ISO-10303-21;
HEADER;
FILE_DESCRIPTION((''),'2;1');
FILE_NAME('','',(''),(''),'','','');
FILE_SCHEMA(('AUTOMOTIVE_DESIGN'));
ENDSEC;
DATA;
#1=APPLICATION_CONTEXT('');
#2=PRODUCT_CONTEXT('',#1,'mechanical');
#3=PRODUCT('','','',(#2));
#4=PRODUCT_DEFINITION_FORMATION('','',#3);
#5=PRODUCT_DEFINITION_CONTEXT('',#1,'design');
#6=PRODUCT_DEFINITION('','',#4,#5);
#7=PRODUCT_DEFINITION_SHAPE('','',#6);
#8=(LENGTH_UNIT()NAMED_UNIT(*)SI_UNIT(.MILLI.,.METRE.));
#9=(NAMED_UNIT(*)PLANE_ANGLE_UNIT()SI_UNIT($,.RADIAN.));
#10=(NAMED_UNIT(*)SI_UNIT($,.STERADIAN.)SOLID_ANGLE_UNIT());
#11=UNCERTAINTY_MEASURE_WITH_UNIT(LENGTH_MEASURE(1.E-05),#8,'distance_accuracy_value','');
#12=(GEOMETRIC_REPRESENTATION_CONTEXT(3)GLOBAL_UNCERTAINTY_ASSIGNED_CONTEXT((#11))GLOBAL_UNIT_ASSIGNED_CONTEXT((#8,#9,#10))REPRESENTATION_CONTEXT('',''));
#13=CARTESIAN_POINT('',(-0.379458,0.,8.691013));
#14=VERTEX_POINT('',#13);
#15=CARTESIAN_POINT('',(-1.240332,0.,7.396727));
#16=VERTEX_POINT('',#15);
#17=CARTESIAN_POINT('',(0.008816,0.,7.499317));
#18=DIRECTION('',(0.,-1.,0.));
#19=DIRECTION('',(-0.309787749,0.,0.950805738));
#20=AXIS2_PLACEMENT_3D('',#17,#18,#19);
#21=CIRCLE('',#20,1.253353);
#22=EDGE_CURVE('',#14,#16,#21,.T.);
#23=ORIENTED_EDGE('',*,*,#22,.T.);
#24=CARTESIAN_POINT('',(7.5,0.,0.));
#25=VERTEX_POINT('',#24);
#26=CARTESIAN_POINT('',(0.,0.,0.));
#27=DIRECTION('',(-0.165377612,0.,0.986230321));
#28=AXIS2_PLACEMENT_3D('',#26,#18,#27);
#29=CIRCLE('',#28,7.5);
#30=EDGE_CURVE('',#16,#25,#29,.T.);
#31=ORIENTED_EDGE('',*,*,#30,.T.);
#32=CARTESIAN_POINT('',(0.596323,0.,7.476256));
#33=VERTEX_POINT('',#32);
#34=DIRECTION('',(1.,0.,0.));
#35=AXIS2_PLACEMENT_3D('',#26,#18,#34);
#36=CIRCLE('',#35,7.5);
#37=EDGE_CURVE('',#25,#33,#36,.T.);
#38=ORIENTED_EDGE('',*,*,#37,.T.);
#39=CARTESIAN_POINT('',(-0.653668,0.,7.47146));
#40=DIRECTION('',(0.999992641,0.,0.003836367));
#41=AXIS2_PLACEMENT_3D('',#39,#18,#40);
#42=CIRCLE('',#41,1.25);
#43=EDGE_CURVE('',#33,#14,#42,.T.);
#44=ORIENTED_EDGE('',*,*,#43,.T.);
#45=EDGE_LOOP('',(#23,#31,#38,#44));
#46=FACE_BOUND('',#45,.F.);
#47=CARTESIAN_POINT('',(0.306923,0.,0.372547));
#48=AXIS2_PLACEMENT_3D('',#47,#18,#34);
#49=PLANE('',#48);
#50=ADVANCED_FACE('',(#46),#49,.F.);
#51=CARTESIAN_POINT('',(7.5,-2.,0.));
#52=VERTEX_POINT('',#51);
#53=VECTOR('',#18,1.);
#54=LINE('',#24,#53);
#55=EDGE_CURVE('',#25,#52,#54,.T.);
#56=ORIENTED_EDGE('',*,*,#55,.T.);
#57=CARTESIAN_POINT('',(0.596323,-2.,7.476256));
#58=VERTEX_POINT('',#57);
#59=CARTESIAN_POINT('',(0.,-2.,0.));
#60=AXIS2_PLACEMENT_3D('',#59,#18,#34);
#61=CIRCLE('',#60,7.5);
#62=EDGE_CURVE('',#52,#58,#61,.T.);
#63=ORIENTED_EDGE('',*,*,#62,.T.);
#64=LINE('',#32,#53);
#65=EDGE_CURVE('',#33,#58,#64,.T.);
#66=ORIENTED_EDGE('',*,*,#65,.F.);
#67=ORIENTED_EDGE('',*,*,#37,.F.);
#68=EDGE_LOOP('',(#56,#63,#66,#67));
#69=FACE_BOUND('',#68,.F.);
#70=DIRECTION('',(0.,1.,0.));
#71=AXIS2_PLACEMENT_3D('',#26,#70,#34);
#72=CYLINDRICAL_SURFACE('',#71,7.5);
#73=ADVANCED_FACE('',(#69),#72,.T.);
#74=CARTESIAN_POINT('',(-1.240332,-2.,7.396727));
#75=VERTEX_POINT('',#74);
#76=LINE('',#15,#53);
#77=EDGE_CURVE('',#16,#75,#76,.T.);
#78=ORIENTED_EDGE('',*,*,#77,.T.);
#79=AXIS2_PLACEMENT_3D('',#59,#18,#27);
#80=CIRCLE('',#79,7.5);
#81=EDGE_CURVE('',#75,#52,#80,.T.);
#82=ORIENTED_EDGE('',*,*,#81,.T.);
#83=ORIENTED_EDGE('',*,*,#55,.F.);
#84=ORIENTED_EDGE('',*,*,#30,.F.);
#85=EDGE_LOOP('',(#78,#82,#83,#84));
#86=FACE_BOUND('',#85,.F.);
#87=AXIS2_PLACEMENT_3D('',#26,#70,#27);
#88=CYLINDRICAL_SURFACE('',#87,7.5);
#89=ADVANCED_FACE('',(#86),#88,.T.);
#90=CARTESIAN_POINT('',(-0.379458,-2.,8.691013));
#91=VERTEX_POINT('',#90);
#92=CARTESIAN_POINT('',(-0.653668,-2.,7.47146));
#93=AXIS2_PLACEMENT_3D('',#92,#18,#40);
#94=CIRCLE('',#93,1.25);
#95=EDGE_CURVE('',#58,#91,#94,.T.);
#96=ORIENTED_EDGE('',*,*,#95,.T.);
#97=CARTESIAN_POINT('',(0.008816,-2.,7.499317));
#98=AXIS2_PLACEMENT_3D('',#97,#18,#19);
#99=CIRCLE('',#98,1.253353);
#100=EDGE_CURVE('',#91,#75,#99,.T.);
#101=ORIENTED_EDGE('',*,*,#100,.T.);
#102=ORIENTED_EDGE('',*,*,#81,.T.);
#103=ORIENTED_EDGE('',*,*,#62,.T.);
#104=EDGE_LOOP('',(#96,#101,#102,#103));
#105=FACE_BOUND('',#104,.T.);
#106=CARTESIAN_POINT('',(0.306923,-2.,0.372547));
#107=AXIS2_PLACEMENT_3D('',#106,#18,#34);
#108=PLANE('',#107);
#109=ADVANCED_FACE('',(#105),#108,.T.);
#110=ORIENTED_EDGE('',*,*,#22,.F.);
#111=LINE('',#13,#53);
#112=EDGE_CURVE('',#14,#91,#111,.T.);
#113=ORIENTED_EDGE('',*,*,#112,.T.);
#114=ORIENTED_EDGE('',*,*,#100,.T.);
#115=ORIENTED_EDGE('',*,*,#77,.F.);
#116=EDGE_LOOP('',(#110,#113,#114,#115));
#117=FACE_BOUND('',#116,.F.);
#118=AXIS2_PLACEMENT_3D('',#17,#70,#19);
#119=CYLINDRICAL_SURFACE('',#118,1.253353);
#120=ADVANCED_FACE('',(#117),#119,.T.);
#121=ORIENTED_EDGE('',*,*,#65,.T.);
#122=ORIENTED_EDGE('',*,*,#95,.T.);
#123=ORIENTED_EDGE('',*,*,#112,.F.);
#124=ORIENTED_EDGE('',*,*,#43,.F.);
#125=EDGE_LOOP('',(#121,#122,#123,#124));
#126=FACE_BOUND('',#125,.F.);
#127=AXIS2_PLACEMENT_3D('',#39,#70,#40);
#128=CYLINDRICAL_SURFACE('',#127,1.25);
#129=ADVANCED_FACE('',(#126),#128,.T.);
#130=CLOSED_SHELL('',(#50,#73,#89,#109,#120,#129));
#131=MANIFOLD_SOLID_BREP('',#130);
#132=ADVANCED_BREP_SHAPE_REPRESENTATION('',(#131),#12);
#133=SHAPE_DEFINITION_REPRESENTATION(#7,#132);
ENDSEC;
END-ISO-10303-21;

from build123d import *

# Parameters (mm, degrees)
F1_DEPTH = 2


with BuildPart() as f1:
    # F0 (on Front) → F1 (new body)
    with BuildSketch(Plane.XZ):
        with BuildLine():
            ThreePointArc((-1.2403320916, 7.3967274049), (-4.8449721007, -5.7250541782), (7.5, 0))
            ThreePointArc((7.5, 0), (5.5101007469, 5.0881027662), (0.5963227308, 7.4762556939))
            ThreePointArc((0.5963227308, 7.4762556939), (-0.3244506147, 7.4929788335), (-1.2403320916, 7.3967274049))
        make_face()
        with BuildLine():
            ThreePointArc((-1.2403320916, 7.3967274049), (-0.3244506147, 7.4929788335), (0.5963227308, 7.4762556939))
            ThreePointArc((0.5963227308, 7.4762556939), (0.3208605279, 8.2542718418), (-0.3794578187, 8.6910129151))
            ThreePointArc((-0.3794578187, 8.6910129151), (-1.0347746726, 8.1934454753), (-1.2403320916, 7.3967274049))
        make_face()
    extrude(amount=F1_DEPTH)


solid = f1.part
